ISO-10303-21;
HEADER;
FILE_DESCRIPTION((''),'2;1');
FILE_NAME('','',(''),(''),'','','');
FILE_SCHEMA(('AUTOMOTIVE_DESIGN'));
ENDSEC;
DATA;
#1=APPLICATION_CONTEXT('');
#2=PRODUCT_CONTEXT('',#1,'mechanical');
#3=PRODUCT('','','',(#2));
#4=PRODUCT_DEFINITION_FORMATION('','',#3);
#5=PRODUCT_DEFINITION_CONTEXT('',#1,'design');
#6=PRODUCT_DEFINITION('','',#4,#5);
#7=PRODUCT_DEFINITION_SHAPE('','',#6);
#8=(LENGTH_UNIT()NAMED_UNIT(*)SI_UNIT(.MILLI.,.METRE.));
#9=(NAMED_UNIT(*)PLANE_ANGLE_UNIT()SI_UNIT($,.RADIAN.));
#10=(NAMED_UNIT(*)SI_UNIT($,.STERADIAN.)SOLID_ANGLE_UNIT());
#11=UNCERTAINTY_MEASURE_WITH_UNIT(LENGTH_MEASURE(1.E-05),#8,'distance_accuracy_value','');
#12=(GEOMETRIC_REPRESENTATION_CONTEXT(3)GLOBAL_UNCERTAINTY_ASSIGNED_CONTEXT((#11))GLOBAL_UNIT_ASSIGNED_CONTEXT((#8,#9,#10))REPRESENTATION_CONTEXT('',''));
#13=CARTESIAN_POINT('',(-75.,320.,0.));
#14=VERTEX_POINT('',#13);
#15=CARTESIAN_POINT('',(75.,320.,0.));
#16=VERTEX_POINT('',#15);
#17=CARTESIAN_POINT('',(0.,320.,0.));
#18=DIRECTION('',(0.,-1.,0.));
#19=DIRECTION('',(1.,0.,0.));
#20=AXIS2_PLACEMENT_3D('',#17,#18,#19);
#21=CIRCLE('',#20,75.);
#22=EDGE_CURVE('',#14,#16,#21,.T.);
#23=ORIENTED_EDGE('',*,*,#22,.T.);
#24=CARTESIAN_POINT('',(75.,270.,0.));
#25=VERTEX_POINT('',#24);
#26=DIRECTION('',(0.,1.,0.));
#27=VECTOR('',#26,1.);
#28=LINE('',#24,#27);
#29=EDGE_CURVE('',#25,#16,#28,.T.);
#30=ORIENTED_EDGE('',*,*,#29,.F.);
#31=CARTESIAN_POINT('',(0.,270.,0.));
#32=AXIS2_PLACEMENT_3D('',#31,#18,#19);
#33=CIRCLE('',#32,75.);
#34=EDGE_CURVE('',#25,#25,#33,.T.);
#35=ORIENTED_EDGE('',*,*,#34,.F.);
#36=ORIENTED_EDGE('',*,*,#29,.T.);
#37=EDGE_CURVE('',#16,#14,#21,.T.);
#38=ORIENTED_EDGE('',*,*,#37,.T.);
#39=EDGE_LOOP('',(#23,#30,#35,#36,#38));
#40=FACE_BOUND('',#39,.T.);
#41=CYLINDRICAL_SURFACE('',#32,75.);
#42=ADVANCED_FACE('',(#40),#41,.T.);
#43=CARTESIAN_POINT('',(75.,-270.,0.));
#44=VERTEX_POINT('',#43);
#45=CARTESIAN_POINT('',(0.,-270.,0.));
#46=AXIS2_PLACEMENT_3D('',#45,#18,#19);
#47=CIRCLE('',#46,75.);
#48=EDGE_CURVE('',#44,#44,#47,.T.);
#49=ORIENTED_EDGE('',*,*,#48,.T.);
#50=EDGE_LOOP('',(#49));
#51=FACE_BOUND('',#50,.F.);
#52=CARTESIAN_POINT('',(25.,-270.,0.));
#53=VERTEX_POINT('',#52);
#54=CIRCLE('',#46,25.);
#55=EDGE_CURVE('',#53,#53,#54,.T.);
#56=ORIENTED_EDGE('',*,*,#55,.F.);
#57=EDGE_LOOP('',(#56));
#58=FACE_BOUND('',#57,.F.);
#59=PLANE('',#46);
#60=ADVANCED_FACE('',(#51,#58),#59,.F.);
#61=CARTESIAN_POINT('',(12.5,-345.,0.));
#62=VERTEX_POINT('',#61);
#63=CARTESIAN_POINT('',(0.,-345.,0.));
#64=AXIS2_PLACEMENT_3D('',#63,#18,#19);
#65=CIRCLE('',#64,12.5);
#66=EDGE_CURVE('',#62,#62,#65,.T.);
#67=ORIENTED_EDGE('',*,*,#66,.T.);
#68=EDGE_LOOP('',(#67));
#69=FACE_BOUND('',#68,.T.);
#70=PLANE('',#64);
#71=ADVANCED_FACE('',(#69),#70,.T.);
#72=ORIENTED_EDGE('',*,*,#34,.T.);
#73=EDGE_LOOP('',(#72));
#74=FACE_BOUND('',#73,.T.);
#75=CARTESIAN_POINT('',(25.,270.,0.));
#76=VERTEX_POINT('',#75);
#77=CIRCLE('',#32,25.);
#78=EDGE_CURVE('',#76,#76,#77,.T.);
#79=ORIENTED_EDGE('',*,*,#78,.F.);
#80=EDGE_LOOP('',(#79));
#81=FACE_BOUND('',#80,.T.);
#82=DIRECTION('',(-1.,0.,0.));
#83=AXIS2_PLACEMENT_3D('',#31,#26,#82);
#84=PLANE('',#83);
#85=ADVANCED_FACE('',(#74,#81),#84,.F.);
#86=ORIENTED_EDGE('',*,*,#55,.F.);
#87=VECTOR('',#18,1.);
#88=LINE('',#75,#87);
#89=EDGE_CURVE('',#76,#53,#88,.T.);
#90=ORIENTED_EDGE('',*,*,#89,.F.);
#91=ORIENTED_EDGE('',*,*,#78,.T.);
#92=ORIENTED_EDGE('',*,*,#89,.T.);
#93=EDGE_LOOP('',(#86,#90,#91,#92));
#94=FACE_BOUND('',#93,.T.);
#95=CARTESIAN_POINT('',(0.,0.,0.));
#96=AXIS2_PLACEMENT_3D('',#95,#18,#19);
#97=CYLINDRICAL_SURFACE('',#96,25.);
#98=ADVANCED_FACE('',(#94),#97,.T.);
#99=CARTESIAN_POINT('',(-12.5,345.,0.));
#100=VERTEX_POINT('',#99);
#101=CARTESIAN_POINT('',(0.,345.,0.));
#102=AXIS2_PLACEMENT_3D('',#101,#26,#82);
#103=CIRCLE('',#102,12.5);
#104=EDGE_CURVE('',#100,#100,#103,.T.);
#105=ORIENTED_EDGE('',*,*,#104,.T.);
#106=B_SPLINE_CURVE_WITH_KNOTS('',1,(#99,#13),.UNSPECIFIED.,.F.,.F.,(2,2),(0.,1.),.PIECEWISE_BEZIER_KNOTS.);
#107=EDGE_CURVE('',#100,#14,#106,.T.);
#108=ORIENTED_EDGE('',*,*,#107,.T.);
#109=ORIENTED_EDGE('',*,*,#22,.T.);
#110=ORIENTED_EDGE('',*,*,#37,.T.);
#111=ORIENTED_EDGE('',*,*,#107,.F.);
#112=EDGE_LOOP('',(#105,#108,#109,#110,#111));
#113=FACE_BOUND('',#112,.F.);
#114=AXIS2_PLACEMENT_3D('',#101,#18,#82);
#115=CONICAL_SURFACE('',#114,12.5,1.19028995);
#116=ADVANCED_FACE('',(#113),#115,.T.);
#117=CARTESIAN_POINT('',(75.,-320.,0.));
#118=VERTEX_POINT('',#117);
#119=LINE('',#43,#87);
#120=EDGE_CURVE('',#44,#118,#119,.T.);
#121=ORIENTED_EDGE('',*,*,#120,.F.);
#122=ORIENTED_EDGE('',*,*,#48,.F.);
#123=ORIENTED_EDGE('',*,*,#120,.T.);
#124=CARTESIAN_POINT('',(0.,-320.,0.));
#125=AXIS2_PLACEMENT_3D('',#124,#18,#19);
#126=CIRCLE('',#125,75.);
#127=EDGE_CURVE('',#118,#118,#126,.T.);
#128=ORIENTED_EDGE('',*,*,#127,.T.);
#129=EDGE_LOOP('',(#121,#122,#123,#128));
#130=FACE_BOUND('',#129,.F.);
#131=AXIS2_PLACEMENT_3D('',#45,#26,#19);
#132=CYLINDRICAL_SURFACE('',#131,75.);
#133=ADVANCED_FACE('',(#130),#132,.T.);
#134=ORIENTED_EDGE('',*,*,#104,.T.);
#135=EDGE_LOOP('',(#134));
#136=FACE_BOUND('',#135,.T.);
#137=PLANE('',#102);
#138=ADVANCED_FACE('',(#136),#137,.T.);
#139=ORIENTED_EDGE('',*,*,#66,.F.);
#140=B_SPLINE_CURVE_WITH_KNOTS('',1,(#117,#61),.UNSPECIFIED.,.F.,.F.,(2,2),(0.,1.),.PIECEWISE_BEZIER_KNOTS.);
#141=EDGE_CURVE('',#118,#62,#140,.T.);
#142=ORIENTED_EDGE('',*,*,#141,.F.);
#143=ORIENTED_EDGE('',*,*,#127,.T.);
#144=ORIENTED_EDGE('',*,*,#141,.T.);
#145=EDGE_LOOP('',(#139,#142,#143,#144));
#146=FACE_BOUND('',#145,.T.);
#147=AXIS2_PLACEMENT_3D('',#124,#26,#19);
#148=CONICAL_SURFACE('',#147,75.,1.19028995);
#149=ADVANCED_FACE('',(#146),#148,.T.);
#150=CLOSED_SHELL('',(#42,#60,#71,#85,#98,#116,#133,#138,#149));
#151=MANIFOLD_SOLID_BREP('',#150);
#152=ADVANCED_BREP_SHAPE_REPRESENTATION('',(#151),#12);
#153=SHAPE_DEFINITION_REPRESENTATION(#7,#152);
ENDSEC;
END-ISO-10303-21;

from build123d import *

# Parameters (mm, degrees)
F0_R      = 25
F1_DEPTH  = 270
F2_R      = 75
F3_DEPTH  = 50
F3_FACE_R = 75
F6_R      = 12.5
F9_R      = 12.5
F4_FACE_R = 75


with BuildPart() as f1:
    # F0 (on Front) → F1 (new body)
    with BuildSketch(Plane.XZ):
        Circle(F0_R)
    extrude(amount=F1_DEPTH)

    # F2 (on face) → F3 (join)
    with BuildSketch(Plane.XZ.offset(270)):
        Circle(F2_R)
    extrude(amount=F3_DEPTH)

    # F4: F1 across plane


with BuildPart() as f1_1:
    add(f1.part)
    add(f1.part.mirror(Plane.XZ))

    # F3_face (on face) → F7 section 0
    with BuildSketch(Plane.XZ.offset(320)):
        Circle(F3_FACE_R)
    # F6 (on offset) → F7 section 1
    with BuildSketch(Plane.XZ.offset(345)):
        Circle(F6_R)
    loft()

    # F9 (on offset) → F10 section 0
    with BuildSketch(Plane(origin=(0, 345, 0), x_dir=(-1, 0, 0), z_dir=(0, 1, 0))):
        Circle(F9_R)
    # F4_face (on face) → F10 section 1
    with BuildSketch(Plane(origin=(0, 320, 0), x_dir=(-1, 0, 0), z_dir=(0, 1, 0))):
        Circle(F4_FACE_R)
    loft()


solid = f1_1.part
